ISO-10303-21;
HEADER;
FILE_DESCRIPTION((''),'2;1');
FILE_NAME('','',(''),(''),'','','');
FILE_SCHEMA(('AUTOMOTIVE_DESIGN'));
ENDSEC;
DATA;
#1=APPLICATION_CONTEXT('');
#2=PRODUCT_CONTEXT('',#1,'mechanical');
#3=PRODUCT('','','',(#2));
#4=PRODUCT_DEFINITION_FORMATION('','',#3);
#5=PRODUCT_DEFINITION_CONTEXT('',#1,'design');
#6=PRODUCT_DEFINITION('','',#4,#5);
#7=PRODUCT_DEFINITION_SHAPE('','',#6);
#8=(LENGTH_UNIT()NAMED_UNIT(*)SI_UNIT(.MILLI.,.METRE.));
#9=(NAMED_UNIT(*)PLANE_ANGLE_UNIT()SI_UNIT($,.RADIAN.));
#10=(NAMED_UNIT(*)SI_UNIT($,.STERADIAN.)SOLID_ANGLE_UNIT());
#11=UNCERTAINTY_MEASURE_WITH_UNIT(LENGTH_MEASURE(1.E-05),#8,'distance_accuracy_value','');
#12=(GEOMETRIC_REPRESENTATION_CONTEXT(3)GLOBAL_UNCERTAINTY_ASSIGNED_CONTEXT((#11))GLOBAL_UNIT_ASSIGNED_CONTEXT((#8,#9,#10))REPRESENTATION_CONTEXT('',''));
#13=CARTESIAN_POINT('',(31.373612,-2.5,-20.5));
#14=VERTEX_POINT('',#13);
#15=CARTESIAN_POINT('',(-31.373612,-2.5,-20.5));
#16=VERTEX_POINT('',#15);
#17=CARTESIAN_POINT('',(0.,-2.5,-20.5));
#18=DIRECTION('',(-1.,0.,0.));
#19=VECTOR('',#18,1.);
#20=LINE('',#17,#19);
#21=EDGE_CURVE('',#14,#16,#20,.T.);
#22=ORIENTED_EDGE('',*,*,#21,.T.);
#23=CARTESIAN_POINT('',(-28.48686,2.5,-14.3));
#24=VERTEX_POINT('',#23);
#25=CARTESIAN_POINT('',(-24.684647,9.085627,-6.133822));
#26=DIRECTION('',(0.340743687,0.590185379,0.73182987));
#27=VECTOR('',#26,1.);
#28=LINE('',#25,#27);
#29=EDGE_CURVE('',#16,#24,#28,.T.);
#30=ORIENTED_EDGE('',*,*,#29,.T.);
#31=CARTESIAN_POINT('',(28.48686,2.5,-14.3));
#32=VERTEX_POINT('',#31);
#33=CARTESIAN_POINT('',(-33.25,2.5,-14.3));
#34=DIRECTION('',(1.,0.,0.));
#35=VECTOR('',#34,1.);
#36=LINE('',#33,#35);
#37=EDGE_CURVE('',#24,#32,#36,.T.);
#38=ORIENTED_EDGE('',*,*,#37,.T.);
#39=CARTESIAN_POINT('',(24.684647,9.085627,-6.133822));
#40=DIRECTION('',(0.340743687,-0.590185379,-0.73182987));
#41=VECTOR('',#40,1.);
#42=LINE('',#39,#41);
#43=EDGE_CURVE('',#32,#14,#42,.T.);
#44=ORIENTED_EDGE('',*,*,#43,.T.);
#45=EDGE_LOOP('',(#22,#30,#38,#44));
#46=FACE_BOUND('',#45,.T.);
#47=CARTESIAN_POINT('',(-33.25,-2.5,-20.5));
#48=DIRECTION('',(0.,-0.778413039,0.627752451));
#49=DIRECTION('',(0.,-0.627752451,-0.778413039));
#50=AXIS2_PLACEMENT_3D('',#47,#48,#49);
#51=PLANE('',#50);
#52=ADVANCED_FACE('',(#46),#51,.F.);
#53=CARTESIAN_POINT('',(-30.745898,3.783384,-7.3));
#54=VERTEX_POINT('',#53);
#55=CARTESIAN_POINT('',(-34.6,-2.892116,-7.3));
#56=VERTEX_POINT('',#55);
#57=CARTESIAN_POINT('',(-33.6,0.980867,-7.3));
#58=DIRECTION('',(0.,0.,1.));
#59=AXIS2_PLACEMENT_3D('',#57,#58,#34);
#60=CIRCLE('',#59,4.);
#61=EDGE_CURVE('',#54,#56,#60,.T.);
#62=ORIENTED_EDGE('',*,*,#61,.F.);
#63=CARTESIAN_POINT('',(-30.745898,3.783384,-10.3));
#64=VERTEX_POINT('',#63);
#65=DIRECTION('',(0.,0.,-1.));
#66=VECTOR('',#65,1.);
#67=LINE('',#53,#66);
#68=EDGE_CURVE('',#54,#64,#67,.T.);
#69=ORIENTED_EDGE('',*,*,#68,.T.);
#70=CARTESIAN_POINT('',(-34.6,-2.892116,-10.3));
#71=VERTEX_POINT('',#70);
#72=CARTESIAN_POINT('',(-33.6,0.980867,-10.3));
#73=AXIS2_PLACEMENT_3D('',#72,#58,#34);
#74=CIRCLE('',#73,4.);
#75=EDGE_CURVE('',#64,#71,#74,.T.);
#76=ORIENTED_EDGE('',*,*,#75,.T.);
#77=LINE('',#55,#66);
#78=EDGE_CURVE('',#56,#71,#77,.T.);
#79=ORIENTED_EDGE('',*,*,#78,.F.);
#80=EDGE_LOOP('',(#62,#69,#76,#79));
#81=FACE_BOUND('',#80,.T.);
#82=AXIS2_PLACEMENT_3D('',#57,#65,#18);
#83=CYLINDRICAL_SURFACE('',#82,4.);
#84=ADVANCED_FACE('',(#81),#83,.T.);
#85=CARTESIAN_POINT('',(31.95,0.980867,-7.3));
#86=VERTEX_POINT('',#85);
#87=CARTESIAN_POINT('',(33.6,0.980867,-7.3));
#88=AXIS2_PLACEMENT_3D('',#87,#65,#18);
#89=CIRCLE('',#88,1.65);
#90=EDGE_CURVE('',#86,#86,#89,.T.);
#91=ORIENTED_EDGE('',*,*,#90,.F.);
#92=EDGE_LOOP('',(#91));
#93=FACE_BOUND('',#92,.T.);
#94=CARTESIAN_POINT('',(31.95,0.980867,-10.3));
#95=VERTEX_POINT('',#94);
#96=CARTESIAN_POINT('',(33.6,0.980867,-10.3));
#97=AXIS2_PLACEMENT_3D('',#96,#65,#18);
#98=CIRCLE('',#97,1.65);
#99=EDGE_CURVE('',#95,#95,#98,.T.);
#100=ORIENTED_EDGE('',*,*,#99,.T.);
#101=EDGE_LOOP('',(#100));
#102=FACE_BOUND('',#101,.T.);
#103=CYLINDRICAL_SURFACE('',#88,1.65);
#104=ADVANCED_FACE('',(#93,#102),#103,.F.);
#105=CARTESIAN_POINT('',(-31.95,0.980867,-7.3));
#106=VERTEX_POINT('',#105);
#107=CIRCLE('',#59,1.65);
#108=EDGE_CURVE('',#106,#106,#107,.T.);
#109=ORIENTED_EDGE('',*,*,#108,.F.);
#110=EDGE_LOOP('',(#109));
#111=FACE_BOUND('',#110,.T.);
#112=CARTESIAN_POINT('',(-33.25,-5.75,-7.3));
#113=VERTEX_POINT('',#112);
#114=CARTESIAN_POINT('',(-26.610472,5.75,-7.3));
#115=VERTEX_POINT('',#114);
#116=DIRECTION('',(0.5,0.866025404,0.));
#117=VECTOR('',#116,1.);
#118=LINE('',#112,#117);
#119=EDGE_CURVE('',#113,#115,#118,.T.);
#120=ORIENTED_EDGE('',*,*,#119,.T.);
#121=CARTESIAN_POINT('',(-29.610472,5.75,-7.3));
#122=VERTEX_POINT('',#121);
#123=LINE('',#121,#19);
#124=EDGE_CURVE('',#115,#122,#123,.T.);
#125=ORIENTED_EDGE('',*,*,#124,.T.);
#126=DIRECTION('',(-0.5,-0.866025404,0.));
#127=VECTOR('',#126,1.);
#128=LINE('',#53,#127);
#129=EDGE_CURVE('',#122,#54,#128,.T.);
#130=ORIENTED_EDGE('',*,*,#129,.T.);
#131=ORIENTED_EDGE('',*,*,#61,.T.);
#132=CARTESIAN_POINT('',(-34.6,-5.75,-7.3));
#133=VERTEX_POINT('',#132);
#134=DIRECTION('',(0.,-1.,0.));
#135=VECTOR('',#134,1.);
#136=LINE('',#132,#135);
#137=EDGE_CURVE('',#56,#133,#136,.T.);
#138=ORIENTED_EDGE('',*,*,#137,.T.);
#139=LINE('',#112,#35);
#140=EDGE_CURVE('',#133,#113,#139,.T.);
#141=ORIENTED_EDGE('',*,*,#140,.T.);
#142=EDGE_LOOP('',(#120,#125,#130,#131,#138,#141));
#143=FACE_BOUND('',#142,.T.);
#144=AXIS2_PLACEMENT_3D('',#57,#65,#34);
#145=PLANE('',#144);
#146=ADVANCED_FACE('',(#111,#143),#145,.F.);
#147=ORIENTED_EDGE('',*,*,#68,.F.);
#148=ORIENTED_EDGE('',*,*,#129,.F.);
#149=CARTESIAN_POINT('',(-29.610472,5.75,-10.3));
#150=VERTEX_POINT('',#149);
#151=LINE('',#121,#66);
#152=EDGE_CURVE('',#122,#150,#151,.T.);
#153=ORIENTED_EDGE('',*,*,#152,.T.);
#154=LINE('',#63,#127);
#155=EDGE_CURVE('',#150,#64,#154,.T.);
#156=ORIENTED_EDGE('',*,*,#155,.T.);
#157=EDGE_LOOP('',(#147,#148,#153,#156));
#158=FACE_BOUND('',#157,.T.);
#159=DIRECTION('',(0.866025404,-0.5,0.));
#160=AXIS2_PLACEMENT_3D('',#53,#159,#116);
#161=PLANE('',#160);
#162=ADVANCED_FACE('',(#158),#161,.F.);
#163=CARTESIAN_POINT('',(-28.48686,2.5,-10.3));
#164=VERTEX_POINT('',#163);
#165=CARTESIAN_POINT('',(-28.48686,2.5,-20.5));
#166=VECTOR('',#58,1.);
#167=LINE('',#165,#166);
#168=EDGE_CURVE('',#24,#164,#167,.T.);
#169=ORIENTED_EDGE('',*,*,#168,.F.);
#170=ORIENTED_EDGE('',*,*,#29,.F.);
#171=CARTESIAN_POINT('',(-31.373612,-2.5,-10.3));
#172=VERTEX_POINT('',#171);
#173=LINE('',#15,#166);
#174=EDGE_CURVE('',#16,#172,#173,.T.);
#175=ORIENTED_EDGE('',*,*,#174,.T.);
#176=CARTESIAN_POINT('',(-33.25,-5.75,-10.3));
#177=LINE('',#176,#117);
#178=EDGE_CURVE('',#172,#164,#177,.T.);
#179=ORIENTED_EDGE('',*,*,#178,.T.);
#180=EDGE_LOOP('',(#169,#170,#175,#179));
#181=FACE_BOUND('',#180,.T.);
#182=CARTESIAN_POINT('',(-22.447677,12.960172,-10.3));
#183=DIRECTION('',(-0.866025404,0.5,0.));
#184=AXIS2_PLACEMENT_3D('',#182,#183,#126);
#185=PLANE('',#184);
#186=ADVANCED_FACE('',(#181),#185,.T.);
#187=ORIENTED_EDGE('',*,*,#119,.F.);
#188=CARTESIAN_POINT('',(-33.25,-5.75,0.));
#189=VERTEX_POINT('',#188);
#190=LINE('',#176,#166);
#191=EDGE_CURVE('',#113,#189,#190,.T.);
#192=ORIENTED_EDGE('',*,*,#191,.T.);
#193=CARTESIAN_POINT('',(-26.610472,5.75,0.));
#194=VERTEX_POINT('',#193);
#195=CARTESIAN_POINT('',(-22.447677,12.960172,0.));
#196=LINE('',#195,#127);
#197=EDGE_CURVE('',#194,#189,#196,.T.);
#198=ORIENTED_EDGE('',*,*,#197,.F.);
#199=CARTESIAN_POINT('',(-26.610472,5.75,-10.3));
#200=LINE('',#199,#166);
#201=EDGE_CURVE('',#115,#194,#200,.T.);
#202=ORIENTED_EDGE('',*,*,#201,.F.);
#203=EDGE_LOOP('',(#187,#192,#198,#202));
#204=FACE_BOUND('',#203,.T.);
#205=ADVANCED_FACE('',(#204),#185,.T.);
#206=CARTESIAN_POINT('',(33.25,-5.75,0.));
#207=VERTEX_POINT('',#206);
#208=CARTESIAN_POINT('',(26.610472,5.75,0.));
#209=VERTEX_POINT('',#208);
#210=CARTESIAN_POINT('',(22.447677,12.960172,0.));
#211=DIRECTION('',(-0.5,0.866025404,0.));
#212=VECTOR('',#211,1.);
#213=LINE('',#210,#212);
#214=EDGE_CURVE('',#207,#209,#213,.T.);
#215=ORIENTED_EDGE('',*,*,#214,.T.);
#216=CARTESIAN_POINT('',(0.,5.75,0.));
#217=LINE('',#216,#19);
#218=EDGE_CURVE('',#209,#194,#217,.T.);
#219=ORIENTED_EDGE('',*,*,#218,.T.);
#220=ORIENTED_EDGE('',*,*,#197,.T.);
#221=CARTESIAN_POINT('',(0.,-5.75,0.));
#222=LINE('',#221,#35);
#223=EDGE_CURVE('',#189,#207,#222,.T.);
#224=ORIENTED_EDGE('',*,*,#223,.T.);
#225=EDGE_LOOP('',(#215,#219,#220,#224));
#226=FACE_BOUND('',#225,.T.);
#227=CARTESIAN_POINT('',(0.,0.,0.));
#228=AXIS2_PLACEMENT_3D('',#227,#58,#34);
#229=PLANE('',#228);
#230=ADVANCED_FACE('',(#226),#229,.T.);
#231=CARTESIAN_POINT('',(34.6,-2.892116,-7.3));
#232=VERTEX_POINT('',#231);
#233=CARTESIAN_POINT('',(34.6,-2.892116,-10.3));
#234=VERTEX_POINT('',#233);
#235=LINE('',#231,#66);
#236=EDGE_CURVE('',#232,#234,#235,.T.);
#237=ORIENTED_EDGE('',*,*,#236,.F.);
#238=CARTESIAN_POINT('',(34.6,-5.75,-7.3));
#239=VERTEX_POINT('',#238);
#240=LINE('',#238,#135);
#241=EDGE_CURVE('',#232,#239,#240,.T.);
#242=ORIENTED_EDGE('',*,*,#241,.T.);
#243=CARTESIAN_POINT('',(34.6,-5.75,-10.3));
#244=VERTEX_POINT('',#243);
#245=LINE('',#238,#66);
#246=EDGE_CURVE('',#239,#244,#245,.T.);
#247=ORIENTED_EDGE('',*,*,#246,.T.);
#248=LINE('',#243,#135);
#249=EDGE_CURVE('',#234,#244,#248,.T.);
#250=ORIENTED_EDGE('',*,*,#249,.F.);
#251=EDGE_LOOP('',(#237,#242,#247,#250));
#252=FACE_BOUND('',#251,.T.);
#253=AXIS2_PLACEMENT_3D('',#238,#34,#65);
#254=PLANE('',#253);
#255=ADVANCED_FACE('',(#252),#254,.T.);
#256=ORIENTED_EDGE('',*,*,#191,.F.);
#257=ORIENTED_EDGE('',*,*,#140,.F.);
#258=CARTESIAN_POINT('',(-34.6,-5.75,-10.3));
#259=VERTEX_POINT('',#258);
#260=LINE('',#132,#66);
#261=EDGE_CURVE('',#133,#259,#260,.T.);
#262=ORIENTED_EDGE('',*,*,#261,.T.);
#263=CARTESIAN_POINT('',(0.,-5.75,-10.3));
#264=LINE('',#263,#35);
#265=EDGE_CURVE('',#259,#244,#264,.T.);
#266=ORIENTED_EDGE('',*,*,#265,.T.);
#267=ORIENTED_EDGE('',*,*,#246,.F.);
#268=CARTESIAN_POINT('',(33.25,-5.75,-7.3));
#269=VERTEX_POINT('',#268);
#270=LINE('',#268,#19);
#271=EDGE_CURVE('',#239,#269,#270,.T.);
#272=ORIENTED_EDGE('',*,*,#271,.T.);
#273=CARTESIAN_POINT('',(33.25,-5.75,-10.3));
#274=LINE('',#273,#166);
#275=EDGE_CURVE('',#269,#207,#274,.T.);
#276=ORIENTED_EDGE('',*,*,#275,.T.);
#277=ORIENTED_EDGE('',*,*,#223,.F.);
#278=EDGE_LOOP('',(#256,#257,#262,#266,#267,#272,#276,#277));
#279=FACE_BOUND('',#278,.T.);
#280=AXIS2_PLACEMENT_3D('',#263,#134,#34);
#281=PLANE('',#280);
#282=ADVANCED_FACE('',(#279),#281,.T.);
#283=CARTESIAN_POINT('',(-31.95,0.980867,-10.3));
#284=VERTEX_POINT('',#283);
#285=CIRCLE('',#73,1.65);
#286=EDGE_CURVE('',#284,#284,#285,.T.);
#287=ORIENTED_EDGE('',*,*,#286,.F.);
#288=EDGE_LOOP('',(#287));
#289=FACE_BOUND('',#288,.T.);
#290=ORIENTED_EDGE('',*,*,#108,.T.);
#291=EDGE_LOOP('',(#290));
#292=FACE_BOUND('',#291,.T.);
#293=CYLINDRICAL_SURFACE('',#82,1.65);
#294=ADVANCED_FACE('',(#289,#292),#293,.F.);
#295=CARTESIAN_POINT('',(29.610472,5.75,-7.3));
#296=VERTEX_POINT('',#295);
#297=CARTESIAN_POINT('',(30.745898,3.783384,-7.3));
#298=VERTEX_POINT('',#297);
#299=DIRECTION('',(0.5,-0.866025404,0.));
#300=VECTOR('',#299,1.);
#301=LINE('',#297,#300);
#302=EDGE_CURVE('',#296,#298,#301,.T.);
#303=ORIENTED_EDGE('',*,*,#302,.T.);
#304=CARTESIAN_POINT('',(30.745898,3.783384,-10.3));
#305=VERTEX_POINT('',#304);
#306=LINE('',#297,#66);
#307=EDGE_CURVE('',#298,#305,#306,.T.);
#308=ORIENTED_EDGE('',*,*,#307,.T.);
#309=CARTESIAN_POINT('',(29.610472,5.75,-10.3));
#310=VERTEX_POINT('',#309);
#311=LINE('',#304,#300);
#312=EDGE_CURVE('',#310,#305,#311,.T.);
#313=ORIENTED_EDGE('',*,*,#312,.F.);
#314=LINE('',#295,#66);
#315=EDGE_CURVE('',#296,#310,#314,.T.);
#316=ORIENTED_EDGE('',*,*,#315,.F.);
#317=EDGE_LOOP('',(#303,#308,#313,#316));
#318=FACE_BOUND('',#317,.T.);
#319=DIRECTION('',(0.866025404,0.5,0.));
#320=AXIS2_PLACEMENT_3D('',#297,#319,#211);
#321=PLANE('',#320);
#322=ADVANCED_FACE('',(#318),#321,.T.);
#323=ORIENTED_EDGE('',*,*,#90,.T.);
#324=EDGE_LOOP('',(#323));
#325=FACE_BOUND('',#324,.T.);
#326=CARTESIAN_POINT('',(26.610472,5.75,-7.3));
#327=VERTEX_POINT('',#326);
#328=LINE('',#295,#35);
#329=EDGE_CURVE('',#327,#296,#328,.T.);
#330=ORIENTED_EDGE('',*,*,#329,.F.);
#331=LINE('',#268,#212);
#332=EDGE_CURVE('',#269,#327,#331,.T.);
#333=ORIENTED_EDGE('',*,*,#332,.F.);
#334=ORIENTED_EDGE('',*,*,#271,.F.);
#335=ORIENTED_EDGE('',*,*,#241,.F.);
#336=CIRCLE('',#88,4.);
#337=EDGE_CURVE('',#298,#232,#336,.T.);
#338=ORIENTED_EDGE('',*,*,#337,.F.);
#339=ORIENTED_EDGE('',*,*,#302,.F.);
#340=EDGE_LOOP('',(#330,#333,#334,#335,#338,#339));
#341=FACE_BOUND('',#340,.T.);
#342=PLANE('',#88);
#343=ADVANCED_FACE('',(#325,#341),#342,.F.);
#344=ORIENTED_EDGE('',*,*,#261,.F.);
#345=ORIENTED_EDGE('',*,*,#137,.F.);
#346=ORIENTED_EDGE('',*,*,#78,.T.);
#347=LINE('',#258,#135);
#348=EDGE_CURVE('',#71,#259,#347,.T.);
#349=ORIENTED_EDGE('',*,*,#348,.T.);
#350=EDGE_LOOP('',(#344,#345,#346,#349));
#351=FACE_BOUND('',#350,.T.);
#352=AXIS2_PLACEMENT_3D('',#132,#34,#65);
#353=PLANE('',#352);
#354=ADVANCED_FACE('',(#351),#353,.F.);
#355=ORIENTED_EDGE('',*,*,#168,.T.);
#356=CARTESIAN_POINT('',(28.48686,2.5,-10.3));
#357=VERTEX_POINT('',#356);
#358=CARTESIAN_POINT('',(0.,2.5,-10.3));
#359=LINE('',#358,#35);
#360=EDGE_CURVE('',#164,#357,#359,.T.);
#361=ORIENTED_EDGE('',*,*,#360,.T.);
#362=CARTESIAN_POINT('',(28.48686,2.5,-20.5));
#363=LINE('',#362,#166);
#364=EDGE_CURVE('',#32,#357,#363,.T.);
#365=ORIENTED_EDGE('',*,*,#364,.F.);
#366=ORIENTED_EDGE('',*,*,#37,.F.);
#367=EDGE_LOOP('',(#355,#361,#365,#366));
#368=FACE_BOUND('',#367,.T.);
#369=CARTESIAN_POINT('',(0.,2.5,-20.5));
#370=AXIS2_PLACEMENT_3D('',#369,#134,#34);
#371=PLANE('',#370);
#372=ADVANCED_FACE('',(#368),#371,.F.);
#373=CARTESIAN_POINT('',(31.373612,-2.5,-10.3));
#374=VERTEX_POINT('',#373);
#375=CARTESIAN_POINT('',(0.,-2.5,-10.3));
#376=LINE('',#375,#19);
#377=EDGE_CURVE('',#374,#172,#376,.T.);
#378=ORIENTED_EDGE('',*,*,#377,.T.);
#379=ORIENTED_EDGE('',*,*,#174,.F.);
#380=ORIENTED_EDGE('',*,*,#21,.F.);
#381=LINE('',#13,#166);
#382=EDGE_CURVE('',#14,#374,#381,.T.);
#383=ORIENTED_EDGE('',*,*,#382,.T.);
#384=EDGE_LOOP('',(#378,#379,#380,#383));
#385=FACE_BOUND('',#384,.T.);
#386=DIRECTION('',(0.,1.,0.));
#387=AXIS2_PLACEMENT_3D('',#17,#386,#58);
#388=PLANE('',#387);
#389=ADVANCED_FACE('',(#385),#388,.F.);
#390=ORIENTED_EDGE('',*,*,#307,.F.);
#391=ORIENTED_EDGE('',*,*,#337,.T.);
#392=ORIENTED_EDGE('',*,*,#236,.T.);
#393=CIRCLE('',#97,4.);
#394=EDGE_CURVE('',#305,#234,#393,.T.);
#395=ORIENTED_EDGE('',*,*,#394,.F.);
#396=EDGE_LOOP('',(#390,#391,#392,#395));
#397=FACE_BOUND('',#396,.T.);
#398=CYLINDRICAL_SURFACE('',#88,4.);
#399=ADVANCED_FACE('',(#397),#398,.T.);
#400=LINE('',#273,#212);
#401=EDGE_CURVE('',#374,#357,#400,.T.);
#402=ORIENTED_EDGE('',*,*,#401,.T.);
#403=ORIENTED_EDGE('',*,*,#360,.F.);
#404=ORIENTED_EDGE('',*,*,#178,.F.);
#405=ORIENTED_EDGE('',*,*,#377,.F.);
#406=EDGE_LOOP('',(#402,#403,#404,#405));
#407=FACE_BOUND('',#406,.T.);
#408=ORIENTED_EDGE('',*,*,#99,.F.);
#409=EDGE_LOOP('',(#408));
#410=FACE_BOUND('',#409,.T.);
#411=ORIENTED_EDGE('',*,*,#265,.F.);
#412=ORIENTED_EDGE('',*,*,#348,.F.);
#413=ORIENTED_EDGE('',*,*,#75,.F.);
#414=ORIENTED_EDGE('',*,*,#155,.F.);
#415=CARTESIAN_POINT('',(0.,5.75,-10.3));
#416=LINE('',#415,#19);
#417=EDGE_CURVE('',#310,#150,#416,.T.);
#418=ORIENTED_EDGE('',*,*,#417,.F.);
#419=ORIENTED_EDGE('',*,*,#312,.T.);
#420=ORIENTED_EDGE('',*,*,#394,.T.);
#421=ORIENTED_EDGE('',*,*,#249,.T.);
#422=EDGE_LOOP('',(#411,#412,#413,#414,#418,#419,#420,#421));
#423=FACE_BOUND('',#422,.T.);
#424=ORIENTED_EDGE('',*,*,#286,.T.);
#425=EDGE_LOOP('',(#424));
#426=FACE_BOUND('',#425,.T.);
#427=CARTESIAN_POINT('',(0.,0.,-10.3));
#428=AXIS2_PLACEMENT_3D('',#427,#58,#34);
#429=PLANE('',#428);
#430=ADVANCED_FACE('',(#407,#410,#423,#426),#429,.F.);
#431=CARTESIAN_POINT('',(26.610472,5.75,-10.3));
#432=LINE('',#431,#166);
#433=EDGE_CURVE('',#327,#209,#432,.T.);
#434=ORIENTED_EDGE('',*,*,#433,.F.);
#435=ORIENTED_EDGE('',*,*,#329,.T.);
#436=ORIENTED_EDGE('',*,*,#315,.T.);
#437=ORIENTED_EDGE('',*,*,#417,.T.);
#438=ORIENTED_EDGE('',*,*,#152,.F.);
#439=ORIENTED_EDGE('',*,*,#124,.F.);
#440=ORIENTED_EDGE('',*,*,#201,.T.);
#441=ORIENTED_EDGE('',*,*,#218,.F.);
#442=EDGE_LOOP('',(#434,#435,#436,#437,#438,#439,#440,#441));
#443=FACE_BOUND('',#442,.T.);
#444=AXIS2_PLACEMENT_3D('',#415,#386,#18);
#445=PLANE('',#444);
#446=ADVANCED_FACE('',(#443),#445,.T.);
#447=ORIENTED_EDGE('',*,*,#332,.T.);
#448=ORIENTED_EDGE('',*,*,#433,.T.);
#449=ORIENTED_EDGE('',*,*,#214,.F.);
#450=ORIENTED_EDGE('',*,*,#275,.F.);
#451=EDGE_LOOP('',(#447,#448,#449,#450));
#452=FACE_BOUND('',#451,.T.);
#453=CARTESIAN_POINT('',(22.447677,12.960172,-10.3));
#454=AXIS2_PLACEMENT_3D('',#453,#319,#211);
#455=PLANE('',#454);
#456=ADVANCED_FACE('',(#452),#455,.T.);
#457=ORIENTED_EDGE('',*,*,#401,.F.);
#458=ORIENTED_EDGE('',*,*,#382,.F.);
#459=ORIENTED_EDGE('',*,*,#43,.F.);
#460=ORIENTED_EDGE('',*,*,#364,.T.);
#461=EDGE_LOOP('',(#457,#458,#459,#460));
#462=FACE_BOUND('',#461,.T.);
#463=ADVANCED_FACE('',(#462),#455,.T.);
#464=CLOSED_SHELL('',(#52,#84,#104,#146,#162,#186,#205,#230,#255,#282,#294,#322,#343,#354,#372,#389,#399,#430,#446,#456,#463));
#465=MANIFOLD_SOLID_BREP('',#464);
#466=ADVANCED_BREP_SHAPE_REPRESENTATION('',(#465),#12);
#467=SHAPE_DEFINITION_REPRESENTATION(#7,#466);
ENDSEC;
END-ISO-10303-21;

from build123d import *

# Parameters (mm, degrees)
BOSS_EXTRUDE1_DEPTH     = 10.3
BOSS_EXTRUDE2_DEPTH     = 20.5
CUT_EXTRUDE1_DEPTH      = 40.4825911
CUT_EXTRUDE1_DEPTH_BACK = 40.4825911
SKETCH3_R               = 1.65
BOSS_EXTRUDE3_DEPTH     = 3


with BuildPart() as part:
    # Sketch1 → Boss-Extrude1 (new body)
    with BuildSketch(Plane.XY):
        Polygon((-33.25, -5.75), (33.25, -5.75), (26.610471904, 5.75), (-26.610471904, 5.75), align=None)
    extrude(amount=-BOSS_EXTRUDE1_DEPTH)

    # Sketch1<5> → Boss-Extrude2 (add)
    with BuildSketch(Plane.XY):
        Polygon((-28.486860279, 2.5), (-31.373611625, -2.5), (31.373611625, -2.5), (28.486860279, 2.5), align=None)
    extrude(amount=-BOSS_EXTRUDE2_DEPTH)

    # Sketch2 → Cut-Extrude1 (cut, two sides: drawn at the far end of the back side and taken through both)
    with BuildSketch(Plane(origin=(0, 0, 0), x_dir=(0, 0, -1), z_dir=(1, 0, 0)).offset(-CUT_EXTRUDE1_DEPTH_BACK)):
        Polygon((20.5, -2.5), (14.3, 2.5), (20.5, 2.5), align=None)
    extrude(amount=CUT_EXTRUDE1_DEPTH + CUT_EXTRUDE1_DEPTH_BACK, mode=Mode.SUBTRACT)

    # Sketch3 → Boss-Extrude3 (add)
    with BuildSketch(Plane(origin=(0, 0, -10.3), x_dir=(-1, 0, 0), z_dir=(0, 0, -1))):
        with BuildLine():
            Line((-33.25, -5.75), (-34.6, -5.75))
            Line((-34.6, -5.75), (-34.6, -2.892116168))
            ThreePointArc((-34.6, -2.892116168), (-37.064101615, 2.980867179), (-30.745898034, 3.783384256))
            Line((-30.745898034, 3.783384256), (-29.610471904, 5.75))
            Line((-29.610471904, 5.75), (-26.610471904, 5.75))
            Line((-26.610471904, 5.75), (-33.25, -5.75))
        make_face()
        with Locations((-33.6, 0.980867179)):
            Circle(SKETCH3_R, mode=Mode.SUBTRACT)
    boss_extrude3 = extrude(amount=-BOSS_EXTRUDE3_DEPTH)

    # Mirror1: Boss-Extrude3 across plane
    add(boss_extrude3.mirror(Plane(origin=(0, 0, 0), x_dir=(0, 0, 1), z_dir=(1, 0, 0))))


solid = part.part
